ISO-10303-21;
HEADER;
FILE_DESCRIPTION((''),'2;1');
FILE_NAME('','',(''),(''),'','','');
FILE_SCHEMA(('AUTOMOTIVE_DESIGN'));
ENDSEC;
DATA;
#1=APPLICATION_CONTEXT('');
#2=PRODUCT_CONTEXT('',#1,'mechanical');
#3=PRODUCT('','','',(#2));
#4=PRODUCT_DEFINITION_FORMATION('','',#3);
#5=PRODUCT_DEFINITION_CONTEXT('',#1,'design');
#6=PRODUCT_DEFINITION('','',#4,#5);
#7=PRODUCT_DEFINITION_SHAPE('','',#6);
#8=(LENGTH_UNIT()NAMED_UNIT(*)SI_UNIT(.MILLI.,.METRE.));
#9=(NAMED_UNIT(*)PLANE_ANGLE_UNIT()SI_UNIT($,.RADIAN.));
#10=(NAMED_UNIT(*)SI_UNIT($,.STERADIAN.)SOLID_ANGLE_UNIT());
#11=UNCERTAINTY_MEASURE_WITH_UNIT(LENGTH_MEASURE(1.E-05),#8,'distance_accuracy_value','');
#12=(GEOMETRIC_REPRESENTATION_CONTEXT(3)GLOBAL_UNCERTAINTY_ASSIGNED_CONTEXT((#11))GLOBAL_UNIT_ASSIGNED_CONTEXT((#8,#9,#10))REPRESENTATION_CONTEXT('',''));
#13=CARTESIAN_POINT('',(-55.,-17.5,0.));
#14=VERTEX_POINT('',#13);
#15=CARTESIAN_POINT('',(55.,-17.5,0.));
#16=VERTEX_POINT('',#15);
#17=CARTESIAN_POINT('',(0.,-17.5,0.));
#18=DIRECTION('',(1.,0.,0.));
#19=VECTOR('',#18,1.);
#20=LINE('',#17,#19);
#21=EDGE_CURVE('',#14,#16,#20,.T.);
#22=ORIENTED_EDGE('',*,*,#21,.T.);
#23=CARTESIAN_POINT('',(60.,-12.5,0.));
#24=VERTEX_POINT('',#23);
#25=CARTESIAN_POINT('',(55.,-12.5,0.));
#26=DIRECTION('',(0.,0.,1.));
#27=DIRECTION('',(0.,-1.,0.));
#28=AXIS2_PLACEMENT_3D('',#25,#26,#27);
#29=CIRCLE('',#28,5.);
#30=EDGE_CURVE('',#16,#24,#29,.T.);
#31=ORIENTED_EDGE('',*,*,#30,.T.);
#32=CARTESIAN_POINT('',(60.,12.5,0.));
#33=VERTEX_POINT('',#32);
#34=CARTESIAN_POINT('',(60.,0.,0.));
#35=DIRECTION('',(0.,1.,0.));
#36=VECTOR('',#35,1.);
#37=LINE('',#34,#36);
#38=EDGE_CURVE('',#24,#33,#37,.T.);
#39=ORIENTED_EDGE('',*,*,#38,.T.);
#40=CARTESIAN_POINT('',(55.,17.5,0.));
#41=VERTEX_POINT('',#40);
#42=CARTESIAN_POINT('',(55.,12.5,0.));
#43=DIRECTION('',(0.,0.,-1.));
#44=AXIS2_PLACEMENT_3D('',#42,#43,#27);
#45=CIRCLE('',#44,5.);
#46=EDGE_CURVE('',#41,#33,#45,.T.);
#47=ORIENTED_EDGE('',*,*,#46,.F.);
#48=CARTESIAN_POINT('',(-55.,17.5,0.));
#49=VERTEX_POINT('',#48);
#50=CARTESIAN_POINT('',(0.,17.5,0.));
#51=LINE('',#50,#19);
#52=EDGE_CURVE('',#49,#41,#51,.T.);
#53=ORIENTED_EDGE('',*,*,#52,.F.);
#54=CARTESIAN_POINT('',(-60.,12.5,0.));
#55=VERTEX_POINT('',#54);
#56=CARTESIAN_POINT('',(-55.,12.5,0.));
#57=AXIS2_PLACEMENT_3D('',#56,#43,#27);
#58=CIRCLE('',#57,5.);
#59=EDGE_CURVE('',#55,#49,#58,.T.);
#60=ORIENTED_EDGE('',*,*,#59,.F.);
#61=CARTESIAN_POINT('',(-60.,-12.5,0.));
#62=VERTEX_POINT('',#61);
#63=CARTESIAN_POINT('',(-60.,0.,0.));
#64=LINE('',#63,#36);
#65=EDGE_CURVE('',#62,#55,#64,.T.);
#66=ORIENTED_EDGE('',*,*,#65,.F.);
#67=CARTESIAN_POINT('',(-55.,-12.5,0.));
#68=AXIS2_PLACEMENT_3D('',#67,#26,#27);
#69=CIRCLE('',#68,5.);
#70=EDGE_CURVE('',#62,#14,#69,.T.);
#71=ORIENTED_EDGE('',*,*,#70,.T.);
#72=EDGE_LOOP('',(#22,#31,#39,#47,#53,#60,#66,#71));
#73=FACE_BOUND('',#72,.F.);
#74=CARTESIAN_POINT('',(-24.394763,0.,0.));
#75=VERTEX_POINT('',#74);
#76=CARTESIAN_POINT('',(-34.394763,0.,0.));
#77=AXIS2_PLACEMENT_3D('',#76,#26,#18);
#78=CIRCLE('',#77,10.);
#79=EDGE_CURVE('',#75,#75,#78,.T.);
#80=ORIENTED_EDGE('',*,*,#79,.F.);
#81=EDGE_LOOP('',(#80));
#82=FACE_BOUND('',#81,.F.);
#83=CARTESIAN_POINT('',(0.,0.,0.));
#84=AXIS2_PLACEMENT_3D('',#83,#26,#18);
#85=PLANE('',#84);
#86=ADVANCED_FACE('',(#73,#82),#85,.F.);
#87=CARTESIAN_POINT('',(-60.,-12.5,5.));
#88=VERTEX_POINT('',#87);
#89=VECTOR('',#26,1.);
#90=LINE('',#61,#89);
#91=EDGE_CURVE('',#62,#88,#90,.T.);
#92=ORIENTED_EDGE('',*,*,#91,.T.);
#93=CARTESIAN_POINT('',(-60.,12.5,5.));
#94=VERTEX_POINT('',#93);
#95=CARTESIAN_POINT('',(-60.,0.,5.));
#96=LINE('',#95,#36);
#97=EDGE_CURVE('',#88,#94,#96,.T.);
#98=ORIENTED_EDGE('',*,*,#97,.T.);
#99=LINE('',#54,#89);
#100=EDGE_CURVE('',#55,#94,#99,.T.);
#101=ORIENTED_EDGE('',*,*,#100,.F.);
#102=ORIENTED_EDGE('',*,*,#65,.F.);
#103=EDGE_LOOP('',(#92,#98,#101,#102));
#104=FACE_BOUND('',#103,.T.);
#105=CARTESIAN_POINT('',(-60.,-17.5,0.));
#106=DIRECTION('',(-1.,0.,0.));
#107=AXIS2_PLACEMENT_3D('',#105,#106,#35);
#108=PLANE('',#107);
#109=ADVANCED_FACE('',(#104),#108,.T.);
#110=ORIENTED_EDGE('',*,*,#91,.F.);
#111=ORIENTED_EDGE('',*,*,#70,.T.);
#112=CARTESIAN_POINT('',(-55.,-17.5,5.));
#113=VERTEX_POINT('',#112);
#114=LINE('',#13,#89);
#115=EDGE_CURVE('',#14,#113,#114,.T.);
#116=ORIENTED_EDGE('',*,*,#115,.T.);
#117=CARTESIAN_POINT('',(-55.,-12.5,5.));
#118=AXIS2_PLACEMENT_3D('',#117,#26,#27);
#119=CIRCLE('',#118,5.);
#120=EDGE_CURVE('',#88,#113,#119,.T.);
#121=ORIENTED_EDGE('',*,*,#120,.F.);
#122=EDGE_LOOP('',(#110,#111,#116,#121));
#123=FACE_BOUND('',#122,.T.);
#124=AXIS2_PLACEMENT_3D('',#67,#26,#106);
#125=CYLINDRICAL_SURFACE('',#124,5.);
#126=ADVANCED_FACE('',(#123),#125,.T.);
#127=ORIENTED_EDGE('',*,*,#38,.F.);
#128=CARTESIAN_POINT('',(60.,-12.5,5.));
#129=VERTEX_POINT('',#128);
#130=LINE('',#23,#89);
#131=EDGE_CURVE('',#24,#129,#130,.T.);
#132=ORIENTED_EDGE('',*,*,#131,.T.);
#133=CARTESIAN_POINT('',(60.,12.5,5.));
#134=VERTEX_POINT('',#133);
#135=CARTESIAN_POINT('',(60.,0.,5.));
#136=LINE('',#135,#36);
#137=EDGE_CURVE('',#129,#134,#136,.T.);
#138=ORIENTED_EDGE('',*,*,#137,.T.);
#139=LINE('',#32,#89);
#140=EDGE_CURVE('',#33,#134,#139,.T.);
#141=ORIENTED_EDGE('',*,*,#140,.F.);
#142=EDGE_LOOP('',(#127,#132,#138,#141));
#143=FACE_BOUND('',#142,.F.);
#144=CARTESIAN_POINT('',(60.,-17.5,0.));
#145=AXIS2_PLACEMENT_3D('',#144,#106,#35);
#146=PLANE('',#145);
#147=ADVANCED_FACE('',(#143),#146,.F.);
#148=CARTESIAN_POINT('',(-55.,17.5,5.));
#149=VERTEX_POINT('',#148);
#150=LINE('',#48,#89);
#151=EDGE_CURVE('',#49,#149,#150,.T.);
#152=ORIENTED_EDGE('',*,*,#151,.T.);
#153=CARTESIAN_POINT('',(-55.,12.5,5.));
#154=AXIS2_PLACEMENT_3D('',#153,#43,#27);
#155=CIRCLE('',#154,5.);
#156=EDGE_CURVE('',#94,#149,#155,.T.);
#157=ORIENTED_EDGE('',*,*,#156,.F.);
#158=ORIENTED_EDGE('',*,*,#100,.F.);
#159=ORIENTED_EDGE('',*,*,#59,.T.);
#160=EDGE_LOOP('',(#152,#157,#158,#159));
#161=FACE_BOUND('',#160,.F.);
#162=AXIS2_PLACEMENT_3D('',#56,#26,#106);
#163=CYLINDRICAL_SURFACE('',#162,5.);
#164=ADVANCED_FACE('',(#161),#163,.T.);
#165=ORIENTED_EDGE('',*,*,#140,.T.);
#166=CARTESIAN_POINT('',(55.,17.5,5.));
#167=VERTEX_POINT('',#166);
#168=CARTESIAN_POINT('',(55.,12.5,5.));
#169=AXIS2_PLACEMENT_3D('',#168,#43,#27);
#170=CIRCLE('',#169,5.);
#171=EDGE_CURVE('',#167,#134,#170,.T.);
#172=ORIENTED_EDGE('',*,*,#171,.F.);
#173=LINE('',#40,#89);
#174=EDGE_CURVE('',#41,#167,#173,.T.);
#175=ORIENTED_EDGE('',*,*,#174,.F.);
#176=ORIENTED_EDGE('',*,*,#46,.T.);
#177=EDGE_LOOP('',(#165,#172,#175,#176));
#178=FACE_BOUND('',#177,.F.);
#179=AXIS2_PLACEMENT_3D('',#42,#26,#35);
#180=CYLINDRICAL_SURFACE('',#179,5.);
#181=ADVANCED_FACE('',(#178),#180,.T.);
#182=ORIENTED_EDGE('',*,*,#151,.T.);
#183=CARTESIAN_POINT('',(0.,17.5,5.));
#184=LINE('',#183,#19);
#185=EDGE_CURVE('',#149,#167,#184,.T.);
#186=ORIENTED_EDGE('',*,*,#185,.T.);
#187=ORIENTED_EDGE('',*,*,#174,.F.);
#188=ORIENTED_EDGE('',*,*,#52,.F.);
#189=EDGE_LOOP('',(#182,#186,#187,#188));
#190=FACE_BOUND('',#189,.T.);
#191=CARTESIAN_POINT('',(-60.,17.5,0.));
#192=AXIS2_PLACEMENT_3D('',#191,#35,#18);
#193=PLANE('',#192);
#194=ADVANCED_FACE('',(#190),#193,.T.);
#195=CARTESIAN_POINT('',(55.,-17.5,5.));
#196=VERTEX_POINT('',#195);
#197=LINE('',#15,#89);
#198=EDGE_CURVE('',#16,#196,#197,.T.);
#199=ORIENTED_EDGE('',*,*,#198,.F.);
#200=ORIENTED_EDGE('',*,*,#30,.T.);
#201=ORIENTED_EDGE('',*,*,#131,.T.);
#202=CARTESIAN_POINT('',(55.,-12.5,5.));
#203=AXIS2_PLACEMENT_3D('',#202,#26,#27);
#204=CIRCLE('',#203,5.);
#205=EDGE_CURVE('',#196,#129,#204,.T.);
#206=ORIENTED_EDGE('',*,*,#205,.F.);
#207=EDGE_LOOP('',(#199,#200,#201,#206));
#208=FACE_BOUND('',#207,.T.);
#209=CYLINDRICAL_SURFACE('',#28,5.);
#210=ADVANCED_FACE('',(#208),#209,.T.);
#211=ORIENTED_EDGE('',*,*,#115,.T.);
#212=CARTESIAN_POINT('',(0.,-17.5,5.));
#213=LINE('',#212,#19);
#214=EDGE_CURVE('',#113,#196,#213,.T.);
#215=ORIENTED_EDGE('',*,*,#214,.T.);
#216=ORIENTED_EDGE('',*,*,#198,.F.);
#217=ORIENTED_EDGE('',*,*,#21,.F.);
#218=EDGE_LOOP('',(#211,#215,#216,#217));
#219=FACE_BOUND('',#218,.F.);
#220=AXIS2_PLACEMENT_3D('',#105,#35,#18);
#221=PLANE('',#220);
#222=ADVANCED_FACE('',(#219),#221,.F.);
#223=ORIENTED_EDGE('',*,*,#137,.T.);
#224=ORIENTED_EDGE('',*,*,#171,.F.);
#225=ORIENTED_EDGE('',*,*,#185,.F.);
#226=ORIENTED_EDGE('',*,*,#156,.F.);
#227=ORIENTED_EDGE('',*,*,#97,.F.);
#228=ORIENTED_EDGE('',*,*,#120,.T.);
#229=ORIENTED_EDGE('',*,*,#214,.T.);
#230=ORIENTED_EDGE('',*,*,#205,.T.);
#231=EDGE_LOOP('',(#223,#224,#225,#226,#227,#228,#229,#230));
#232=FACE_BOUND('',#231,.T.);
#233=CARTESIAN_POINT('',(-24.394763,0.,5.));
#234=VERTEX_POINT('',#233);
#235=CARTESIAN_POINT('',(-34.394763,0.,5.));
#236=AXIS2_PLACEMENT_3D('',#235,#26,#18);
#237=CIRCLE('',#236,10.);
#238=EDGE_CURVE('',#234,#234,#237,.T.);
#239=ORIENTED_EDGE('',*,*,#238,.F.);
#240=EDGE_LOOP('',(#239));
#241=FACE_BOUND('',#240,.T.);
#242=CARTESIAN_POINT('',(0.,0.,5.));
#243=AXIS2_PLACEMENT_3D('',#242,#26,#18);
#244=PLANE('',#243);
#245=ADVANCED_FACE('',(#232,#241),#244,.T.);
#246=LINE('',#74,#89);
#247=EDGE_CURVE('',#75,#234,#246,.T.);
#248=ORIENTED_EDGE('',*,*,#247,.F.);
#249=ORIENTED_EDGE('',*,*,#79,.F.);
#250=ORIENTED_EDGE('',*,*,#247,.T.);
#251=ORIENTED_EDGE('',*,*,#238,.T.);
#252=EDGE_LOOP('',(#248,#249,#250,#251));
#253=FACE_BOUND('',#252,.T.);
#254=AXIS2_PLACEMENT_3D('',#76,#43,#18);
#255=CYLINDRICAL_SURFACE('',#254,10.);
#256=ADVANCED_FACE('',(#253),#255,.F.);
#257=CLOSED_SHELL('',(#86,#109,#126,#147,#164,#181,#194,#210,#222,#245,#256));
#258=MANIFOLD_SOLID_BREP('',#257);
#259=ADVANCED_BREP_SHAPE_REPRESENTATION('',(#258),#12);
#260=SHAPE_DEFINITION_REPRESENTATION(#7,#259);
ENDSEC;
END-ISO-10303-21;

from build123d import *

# Parameters (mm, degrees)
F0_W     = 120
F0_H     = 35
F0_R     = 10
F1_DEPTH = 5
F2_R     = 5


with BuildPart() as f1:
    # F0 (on Top) → F1 (new body)
    with BuildSketch(Plane.XY):
        Rectangle(F0_W, F0_H)
        with Locations((-34.394763, 0)):
            Circle(F0_R, mode=Mode.SUBTRACT)
    extrude(amount=F1_DEPTH)

    # F2
    f2_edges = [f1.edges().sort_by_distance(p)[0] for p in [
        (-60, -17.5, 2.5),
        (60, 17.5, 2.5),
        (60, -17.5, 2.5),
        (-60, 17.5, 2.5),
    ]]
    fillet(f2_edges, radius=F2_R)


solid = f1.part
